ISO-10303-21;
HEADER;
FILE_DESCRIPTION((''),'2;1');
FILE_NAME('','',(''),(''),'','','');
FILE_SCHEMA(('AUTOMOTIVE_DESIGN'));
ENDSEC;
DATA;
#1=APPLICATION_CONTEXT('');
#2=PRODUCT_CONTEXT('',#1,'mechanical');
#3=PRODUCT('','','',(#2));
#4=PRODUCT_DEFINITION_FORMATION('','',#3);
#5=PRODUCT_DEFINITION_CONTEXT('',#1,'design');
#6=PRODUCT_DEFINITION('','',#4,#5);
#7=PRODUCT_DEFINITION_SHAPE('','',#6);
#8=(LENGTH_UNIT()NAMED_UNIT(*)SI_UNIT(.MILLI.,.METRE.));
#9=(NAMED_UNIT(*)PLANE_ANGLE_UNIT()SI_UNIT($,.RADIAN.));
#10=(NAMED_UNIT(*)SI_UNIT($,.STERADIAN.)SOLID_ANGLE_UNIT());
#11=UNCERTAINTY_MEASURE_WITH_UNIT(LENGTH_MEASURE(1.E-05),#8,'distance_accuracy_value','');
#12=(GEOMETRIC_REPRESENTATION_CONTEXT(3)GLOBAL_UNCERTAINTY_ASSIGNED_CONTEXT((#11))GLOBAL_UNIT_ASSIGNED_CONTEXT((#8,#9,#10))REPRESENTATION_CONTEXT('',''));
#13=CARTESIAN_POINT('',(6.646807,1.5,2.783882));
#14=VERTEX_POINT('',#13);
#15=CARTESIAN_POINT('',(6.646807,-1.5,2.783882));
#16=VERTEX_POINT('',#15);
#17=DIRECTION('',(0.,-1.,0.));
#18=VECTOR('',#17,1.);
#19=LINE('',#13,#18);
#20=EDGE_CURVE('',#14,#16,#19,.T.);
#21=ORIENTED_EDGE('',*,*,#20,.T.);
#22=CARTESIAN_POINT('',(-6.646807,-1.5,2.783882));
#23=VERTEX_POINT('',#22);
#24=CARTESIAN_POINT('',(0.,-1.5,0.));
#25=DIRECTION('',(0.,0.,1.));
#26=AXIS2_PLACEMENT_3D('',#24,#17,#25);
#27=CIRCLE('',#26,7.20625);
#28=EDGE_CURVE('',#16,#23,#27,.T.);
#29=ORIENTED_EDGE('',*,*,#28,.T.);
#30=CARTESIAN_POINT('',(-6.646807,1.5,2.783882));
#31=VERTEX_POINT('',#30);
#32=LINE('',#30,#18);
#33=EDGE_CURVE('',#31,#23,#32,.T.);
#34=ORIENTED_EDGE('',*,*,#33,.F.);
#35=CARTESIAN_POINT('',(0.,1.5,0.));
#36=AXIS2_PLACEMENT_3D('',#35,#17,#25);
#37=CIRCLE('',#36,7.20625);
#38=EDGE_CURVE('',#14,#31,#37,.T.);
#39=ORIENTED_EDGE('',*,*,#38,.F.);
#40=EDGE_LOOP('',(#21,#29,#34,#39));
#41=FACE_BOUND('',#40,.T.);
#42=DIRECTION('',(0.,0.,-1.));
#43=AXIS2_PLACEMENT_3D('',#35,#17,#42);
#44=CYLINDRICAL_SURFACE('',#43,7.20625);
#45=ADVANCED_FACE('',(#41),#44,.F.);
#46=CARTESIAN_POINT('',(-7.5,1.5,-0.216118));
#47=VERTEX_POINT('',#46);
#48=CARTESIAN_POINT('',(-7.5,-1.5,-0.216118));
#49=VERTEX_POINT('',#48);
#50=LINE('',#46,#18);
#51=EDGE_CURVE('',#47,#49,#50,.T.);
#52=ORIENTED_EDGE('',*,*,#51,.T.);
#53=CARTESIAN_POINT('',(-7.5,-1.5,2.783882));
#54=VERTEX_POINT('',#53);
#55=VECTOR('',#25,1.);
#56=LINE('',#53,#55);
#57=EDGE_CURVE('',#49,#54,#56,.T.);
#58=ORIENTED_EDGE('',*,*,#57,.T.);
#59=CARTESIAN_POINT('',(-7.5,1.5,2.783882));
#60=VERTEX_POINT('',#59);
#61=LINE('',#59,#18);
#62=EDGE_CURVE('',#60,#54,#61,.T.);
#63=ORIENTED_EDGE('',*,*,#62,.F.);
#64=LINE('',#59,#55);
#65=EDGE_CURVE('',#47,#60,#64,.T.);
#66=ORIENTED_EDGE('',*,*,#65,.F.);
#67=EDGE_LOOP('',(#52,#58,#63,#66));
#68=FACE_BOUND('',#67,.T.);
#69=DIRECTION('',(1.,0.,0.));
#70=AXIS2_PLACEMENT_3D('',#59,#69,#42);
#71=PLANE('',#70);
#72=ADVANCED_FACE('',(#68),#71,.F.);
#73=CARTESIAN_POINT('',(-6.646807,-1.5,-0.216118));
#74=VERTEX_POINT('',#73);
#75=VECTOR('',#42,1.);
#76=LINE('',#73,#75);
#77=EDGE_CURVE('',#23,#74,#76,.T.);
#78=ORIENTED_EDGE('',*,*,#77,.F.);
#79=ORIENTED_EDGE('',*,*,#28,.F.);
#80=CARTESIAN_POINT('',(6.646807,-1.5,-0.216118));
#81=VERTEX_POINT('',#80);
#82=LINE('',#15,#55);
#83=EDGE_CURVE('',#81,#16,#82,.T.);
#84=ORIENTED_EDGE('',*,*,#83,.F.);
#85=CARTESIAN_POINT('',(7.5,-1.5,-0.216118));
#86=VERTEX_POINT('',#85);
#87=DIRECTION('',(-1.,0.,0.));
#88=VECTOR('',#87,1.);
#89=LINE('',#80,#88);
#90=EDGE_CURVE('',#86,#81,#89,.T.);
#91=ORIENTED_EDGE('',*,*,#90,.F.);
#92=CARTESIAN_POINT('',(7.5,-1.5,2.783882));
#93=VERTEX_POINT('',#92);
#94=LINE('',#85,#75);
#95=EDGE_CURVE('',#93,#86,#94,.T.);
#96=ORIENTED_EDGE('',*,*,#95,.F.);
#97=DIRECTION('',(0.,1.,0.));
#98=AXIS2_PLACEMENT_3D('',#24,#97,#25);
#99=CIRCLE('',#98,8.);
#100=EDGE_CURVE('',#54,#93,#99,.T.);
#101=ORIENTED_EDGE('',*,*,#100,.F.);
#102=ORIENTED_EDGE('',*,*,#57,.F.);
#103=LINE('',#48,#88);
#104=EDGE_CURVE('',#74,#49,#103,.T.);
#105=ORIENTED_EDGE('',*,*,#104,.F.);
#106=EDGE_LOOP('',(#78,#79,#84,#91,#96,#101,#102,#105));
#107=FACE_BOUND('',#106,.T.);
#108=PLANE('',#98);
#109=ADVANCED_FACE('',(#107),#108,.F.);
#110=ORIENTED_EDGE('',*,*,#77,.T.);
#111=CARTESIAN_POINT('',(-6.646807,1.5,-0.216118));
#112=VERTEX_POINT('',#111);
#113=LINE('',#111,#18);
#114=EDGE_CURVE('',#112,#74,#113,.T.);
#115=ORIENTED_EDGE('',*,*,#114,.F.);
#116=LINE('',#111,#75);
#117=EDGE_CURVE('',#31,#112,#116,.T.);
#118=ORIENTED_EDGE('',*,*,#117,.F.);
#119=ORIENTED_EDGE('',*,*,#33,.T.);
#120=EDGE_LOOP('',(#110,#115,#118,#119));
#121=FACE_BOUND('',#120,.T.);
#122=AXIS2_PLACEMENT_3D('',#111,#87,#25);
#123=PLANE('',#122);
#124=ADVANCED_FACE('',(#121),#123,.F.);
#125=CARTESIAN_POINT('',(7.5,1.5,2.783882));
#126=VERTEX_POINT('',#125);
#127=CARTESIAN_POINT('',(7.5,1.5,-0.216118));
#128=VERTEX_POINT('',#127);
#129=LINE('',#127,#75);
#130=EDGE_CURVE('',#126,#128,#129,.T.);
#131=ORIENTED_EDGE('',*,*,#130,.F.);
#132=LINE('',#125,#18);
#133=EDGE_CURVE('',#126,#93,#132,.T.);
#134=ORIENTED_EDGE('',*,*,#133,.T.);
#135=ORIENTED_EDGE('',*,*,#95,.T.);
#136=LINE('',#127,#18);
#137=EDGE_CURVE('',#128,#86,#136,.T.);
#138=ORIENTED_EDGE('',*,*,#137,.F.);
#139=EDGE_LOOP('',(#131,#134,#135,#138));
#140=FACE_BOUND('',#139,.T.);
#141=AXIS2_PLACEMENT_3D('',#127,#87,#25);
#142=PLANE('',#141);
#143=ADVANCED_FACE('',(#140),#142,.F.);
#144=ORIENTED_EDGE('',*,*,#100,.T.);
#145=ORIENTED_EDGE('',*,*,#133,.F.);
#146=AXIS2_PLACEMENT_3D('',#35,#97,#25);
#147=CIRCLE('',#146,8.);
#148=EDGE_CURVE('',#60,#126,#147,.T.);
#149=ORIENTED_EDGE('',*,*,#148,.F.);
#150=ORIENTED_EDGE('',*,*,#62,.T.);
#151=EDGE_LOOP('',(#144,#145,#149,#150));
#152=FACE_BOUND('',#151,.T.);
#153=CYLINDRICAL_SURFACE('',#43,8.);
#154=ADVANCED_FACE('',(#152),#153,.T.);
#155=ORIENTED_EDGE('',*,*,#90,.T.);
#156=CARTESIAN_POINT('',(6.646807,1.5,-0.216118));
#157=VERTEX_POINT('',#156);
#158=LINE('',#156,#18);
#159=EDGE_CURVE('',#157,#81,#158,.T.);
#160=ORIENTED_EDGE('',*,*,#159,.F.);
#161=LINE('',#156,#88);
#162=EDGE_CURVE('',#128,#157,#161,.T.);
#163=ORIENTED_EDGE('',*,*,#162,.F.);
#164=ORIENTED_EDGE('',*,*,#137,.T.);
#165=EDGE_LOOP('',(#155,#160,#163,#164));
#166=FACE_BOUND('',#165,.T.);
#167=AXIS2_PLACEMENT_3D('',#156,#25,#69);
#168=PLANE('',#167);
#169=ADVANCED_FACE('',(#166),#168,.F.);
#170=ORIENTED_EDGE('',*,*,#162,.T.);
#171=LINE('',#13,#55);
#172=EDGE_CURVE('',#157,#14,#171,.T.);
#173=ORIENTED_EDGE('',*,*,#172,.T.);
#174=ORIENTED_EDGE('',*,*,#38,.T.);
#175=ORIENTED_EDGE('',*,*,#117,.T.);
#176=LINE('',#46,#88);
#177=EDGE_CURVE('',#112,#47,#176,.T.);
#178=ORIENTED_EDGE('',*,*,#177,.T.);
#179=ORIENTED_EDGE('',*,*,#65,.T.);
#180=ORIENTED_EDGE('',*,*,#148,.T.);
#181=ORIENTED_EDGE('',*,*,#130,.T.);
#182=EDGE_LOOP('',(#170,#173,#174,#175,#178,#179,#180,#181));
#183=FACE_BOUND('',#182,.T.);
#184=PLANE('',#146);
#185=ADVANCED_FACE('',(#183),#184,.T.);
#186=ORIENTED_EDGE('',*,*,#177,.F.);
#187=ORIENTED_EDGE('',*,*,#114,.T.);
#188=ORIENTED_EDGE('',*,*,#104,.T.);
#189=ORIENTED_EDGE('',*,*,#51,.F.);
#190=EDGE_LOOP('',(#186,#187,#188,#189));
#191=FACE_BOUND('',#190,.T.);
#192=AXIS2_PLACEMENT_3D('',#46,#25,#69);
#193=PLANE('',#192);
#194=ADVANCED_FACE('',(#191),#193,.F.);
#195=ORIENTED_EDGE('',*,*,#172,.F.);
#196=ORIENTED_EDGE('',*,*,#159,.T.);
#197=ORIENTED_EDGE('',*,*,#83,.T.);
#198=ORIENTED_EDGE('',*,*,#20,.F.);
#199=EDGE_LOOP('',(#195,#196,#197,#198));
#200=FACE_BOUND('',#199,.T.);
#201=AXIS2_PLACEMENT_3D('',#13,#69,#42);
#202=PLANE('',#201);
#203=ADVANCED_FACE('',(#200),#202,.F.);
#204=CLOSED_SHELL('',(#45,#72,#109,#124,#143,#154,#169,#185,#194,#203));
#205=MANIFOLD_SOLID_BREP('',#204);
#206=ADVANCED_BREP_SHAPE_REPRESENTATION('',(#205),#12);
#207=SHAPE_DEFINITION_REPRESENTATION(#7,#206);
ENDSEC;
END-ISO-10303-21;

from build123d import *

# Parameters (mm, degrees)
BOSS_EXTRUDE1_DEPTH = 1.5


with BuildPart() as part:
    # Sketch1 → Boss-Extrude1 (new, symmetric)
    with BuildSketch(Plane(origin=(0, 0, 0), x_dir=(1, 0, 0), z_dir=(0, 1, 0))):
        with BuildLine():
            Line((-7.5, -2.783882181), (-7.5, 0.216117819))
            Line((-7.5, 0.216117819), (-6.646806682, 0.216117819))
            Line((-6.646806682, 0.216117819), (-6.646806682, -2.783882181))
            ThreePointArc((-6.646806682, -2.783882181), (0, -7.20625), (6.646806682, -2.783882181))
            Line((6.646806682, -2.783882181), (6.646806682, 0.216117819))
            Line((6.646806682, 0.216117819), (7.5, 0.216117819))
            Line((7.5, 0.216117819), (7.5, -2.783882181))
            ThreePointArc((7.5, -2.783882181), (0, -8), (-7.5, -2.783882181))
        make_face()
    extrude(amount=BOSS_EXTRUDE1_DEPTH, both=True)


solid = part.part
